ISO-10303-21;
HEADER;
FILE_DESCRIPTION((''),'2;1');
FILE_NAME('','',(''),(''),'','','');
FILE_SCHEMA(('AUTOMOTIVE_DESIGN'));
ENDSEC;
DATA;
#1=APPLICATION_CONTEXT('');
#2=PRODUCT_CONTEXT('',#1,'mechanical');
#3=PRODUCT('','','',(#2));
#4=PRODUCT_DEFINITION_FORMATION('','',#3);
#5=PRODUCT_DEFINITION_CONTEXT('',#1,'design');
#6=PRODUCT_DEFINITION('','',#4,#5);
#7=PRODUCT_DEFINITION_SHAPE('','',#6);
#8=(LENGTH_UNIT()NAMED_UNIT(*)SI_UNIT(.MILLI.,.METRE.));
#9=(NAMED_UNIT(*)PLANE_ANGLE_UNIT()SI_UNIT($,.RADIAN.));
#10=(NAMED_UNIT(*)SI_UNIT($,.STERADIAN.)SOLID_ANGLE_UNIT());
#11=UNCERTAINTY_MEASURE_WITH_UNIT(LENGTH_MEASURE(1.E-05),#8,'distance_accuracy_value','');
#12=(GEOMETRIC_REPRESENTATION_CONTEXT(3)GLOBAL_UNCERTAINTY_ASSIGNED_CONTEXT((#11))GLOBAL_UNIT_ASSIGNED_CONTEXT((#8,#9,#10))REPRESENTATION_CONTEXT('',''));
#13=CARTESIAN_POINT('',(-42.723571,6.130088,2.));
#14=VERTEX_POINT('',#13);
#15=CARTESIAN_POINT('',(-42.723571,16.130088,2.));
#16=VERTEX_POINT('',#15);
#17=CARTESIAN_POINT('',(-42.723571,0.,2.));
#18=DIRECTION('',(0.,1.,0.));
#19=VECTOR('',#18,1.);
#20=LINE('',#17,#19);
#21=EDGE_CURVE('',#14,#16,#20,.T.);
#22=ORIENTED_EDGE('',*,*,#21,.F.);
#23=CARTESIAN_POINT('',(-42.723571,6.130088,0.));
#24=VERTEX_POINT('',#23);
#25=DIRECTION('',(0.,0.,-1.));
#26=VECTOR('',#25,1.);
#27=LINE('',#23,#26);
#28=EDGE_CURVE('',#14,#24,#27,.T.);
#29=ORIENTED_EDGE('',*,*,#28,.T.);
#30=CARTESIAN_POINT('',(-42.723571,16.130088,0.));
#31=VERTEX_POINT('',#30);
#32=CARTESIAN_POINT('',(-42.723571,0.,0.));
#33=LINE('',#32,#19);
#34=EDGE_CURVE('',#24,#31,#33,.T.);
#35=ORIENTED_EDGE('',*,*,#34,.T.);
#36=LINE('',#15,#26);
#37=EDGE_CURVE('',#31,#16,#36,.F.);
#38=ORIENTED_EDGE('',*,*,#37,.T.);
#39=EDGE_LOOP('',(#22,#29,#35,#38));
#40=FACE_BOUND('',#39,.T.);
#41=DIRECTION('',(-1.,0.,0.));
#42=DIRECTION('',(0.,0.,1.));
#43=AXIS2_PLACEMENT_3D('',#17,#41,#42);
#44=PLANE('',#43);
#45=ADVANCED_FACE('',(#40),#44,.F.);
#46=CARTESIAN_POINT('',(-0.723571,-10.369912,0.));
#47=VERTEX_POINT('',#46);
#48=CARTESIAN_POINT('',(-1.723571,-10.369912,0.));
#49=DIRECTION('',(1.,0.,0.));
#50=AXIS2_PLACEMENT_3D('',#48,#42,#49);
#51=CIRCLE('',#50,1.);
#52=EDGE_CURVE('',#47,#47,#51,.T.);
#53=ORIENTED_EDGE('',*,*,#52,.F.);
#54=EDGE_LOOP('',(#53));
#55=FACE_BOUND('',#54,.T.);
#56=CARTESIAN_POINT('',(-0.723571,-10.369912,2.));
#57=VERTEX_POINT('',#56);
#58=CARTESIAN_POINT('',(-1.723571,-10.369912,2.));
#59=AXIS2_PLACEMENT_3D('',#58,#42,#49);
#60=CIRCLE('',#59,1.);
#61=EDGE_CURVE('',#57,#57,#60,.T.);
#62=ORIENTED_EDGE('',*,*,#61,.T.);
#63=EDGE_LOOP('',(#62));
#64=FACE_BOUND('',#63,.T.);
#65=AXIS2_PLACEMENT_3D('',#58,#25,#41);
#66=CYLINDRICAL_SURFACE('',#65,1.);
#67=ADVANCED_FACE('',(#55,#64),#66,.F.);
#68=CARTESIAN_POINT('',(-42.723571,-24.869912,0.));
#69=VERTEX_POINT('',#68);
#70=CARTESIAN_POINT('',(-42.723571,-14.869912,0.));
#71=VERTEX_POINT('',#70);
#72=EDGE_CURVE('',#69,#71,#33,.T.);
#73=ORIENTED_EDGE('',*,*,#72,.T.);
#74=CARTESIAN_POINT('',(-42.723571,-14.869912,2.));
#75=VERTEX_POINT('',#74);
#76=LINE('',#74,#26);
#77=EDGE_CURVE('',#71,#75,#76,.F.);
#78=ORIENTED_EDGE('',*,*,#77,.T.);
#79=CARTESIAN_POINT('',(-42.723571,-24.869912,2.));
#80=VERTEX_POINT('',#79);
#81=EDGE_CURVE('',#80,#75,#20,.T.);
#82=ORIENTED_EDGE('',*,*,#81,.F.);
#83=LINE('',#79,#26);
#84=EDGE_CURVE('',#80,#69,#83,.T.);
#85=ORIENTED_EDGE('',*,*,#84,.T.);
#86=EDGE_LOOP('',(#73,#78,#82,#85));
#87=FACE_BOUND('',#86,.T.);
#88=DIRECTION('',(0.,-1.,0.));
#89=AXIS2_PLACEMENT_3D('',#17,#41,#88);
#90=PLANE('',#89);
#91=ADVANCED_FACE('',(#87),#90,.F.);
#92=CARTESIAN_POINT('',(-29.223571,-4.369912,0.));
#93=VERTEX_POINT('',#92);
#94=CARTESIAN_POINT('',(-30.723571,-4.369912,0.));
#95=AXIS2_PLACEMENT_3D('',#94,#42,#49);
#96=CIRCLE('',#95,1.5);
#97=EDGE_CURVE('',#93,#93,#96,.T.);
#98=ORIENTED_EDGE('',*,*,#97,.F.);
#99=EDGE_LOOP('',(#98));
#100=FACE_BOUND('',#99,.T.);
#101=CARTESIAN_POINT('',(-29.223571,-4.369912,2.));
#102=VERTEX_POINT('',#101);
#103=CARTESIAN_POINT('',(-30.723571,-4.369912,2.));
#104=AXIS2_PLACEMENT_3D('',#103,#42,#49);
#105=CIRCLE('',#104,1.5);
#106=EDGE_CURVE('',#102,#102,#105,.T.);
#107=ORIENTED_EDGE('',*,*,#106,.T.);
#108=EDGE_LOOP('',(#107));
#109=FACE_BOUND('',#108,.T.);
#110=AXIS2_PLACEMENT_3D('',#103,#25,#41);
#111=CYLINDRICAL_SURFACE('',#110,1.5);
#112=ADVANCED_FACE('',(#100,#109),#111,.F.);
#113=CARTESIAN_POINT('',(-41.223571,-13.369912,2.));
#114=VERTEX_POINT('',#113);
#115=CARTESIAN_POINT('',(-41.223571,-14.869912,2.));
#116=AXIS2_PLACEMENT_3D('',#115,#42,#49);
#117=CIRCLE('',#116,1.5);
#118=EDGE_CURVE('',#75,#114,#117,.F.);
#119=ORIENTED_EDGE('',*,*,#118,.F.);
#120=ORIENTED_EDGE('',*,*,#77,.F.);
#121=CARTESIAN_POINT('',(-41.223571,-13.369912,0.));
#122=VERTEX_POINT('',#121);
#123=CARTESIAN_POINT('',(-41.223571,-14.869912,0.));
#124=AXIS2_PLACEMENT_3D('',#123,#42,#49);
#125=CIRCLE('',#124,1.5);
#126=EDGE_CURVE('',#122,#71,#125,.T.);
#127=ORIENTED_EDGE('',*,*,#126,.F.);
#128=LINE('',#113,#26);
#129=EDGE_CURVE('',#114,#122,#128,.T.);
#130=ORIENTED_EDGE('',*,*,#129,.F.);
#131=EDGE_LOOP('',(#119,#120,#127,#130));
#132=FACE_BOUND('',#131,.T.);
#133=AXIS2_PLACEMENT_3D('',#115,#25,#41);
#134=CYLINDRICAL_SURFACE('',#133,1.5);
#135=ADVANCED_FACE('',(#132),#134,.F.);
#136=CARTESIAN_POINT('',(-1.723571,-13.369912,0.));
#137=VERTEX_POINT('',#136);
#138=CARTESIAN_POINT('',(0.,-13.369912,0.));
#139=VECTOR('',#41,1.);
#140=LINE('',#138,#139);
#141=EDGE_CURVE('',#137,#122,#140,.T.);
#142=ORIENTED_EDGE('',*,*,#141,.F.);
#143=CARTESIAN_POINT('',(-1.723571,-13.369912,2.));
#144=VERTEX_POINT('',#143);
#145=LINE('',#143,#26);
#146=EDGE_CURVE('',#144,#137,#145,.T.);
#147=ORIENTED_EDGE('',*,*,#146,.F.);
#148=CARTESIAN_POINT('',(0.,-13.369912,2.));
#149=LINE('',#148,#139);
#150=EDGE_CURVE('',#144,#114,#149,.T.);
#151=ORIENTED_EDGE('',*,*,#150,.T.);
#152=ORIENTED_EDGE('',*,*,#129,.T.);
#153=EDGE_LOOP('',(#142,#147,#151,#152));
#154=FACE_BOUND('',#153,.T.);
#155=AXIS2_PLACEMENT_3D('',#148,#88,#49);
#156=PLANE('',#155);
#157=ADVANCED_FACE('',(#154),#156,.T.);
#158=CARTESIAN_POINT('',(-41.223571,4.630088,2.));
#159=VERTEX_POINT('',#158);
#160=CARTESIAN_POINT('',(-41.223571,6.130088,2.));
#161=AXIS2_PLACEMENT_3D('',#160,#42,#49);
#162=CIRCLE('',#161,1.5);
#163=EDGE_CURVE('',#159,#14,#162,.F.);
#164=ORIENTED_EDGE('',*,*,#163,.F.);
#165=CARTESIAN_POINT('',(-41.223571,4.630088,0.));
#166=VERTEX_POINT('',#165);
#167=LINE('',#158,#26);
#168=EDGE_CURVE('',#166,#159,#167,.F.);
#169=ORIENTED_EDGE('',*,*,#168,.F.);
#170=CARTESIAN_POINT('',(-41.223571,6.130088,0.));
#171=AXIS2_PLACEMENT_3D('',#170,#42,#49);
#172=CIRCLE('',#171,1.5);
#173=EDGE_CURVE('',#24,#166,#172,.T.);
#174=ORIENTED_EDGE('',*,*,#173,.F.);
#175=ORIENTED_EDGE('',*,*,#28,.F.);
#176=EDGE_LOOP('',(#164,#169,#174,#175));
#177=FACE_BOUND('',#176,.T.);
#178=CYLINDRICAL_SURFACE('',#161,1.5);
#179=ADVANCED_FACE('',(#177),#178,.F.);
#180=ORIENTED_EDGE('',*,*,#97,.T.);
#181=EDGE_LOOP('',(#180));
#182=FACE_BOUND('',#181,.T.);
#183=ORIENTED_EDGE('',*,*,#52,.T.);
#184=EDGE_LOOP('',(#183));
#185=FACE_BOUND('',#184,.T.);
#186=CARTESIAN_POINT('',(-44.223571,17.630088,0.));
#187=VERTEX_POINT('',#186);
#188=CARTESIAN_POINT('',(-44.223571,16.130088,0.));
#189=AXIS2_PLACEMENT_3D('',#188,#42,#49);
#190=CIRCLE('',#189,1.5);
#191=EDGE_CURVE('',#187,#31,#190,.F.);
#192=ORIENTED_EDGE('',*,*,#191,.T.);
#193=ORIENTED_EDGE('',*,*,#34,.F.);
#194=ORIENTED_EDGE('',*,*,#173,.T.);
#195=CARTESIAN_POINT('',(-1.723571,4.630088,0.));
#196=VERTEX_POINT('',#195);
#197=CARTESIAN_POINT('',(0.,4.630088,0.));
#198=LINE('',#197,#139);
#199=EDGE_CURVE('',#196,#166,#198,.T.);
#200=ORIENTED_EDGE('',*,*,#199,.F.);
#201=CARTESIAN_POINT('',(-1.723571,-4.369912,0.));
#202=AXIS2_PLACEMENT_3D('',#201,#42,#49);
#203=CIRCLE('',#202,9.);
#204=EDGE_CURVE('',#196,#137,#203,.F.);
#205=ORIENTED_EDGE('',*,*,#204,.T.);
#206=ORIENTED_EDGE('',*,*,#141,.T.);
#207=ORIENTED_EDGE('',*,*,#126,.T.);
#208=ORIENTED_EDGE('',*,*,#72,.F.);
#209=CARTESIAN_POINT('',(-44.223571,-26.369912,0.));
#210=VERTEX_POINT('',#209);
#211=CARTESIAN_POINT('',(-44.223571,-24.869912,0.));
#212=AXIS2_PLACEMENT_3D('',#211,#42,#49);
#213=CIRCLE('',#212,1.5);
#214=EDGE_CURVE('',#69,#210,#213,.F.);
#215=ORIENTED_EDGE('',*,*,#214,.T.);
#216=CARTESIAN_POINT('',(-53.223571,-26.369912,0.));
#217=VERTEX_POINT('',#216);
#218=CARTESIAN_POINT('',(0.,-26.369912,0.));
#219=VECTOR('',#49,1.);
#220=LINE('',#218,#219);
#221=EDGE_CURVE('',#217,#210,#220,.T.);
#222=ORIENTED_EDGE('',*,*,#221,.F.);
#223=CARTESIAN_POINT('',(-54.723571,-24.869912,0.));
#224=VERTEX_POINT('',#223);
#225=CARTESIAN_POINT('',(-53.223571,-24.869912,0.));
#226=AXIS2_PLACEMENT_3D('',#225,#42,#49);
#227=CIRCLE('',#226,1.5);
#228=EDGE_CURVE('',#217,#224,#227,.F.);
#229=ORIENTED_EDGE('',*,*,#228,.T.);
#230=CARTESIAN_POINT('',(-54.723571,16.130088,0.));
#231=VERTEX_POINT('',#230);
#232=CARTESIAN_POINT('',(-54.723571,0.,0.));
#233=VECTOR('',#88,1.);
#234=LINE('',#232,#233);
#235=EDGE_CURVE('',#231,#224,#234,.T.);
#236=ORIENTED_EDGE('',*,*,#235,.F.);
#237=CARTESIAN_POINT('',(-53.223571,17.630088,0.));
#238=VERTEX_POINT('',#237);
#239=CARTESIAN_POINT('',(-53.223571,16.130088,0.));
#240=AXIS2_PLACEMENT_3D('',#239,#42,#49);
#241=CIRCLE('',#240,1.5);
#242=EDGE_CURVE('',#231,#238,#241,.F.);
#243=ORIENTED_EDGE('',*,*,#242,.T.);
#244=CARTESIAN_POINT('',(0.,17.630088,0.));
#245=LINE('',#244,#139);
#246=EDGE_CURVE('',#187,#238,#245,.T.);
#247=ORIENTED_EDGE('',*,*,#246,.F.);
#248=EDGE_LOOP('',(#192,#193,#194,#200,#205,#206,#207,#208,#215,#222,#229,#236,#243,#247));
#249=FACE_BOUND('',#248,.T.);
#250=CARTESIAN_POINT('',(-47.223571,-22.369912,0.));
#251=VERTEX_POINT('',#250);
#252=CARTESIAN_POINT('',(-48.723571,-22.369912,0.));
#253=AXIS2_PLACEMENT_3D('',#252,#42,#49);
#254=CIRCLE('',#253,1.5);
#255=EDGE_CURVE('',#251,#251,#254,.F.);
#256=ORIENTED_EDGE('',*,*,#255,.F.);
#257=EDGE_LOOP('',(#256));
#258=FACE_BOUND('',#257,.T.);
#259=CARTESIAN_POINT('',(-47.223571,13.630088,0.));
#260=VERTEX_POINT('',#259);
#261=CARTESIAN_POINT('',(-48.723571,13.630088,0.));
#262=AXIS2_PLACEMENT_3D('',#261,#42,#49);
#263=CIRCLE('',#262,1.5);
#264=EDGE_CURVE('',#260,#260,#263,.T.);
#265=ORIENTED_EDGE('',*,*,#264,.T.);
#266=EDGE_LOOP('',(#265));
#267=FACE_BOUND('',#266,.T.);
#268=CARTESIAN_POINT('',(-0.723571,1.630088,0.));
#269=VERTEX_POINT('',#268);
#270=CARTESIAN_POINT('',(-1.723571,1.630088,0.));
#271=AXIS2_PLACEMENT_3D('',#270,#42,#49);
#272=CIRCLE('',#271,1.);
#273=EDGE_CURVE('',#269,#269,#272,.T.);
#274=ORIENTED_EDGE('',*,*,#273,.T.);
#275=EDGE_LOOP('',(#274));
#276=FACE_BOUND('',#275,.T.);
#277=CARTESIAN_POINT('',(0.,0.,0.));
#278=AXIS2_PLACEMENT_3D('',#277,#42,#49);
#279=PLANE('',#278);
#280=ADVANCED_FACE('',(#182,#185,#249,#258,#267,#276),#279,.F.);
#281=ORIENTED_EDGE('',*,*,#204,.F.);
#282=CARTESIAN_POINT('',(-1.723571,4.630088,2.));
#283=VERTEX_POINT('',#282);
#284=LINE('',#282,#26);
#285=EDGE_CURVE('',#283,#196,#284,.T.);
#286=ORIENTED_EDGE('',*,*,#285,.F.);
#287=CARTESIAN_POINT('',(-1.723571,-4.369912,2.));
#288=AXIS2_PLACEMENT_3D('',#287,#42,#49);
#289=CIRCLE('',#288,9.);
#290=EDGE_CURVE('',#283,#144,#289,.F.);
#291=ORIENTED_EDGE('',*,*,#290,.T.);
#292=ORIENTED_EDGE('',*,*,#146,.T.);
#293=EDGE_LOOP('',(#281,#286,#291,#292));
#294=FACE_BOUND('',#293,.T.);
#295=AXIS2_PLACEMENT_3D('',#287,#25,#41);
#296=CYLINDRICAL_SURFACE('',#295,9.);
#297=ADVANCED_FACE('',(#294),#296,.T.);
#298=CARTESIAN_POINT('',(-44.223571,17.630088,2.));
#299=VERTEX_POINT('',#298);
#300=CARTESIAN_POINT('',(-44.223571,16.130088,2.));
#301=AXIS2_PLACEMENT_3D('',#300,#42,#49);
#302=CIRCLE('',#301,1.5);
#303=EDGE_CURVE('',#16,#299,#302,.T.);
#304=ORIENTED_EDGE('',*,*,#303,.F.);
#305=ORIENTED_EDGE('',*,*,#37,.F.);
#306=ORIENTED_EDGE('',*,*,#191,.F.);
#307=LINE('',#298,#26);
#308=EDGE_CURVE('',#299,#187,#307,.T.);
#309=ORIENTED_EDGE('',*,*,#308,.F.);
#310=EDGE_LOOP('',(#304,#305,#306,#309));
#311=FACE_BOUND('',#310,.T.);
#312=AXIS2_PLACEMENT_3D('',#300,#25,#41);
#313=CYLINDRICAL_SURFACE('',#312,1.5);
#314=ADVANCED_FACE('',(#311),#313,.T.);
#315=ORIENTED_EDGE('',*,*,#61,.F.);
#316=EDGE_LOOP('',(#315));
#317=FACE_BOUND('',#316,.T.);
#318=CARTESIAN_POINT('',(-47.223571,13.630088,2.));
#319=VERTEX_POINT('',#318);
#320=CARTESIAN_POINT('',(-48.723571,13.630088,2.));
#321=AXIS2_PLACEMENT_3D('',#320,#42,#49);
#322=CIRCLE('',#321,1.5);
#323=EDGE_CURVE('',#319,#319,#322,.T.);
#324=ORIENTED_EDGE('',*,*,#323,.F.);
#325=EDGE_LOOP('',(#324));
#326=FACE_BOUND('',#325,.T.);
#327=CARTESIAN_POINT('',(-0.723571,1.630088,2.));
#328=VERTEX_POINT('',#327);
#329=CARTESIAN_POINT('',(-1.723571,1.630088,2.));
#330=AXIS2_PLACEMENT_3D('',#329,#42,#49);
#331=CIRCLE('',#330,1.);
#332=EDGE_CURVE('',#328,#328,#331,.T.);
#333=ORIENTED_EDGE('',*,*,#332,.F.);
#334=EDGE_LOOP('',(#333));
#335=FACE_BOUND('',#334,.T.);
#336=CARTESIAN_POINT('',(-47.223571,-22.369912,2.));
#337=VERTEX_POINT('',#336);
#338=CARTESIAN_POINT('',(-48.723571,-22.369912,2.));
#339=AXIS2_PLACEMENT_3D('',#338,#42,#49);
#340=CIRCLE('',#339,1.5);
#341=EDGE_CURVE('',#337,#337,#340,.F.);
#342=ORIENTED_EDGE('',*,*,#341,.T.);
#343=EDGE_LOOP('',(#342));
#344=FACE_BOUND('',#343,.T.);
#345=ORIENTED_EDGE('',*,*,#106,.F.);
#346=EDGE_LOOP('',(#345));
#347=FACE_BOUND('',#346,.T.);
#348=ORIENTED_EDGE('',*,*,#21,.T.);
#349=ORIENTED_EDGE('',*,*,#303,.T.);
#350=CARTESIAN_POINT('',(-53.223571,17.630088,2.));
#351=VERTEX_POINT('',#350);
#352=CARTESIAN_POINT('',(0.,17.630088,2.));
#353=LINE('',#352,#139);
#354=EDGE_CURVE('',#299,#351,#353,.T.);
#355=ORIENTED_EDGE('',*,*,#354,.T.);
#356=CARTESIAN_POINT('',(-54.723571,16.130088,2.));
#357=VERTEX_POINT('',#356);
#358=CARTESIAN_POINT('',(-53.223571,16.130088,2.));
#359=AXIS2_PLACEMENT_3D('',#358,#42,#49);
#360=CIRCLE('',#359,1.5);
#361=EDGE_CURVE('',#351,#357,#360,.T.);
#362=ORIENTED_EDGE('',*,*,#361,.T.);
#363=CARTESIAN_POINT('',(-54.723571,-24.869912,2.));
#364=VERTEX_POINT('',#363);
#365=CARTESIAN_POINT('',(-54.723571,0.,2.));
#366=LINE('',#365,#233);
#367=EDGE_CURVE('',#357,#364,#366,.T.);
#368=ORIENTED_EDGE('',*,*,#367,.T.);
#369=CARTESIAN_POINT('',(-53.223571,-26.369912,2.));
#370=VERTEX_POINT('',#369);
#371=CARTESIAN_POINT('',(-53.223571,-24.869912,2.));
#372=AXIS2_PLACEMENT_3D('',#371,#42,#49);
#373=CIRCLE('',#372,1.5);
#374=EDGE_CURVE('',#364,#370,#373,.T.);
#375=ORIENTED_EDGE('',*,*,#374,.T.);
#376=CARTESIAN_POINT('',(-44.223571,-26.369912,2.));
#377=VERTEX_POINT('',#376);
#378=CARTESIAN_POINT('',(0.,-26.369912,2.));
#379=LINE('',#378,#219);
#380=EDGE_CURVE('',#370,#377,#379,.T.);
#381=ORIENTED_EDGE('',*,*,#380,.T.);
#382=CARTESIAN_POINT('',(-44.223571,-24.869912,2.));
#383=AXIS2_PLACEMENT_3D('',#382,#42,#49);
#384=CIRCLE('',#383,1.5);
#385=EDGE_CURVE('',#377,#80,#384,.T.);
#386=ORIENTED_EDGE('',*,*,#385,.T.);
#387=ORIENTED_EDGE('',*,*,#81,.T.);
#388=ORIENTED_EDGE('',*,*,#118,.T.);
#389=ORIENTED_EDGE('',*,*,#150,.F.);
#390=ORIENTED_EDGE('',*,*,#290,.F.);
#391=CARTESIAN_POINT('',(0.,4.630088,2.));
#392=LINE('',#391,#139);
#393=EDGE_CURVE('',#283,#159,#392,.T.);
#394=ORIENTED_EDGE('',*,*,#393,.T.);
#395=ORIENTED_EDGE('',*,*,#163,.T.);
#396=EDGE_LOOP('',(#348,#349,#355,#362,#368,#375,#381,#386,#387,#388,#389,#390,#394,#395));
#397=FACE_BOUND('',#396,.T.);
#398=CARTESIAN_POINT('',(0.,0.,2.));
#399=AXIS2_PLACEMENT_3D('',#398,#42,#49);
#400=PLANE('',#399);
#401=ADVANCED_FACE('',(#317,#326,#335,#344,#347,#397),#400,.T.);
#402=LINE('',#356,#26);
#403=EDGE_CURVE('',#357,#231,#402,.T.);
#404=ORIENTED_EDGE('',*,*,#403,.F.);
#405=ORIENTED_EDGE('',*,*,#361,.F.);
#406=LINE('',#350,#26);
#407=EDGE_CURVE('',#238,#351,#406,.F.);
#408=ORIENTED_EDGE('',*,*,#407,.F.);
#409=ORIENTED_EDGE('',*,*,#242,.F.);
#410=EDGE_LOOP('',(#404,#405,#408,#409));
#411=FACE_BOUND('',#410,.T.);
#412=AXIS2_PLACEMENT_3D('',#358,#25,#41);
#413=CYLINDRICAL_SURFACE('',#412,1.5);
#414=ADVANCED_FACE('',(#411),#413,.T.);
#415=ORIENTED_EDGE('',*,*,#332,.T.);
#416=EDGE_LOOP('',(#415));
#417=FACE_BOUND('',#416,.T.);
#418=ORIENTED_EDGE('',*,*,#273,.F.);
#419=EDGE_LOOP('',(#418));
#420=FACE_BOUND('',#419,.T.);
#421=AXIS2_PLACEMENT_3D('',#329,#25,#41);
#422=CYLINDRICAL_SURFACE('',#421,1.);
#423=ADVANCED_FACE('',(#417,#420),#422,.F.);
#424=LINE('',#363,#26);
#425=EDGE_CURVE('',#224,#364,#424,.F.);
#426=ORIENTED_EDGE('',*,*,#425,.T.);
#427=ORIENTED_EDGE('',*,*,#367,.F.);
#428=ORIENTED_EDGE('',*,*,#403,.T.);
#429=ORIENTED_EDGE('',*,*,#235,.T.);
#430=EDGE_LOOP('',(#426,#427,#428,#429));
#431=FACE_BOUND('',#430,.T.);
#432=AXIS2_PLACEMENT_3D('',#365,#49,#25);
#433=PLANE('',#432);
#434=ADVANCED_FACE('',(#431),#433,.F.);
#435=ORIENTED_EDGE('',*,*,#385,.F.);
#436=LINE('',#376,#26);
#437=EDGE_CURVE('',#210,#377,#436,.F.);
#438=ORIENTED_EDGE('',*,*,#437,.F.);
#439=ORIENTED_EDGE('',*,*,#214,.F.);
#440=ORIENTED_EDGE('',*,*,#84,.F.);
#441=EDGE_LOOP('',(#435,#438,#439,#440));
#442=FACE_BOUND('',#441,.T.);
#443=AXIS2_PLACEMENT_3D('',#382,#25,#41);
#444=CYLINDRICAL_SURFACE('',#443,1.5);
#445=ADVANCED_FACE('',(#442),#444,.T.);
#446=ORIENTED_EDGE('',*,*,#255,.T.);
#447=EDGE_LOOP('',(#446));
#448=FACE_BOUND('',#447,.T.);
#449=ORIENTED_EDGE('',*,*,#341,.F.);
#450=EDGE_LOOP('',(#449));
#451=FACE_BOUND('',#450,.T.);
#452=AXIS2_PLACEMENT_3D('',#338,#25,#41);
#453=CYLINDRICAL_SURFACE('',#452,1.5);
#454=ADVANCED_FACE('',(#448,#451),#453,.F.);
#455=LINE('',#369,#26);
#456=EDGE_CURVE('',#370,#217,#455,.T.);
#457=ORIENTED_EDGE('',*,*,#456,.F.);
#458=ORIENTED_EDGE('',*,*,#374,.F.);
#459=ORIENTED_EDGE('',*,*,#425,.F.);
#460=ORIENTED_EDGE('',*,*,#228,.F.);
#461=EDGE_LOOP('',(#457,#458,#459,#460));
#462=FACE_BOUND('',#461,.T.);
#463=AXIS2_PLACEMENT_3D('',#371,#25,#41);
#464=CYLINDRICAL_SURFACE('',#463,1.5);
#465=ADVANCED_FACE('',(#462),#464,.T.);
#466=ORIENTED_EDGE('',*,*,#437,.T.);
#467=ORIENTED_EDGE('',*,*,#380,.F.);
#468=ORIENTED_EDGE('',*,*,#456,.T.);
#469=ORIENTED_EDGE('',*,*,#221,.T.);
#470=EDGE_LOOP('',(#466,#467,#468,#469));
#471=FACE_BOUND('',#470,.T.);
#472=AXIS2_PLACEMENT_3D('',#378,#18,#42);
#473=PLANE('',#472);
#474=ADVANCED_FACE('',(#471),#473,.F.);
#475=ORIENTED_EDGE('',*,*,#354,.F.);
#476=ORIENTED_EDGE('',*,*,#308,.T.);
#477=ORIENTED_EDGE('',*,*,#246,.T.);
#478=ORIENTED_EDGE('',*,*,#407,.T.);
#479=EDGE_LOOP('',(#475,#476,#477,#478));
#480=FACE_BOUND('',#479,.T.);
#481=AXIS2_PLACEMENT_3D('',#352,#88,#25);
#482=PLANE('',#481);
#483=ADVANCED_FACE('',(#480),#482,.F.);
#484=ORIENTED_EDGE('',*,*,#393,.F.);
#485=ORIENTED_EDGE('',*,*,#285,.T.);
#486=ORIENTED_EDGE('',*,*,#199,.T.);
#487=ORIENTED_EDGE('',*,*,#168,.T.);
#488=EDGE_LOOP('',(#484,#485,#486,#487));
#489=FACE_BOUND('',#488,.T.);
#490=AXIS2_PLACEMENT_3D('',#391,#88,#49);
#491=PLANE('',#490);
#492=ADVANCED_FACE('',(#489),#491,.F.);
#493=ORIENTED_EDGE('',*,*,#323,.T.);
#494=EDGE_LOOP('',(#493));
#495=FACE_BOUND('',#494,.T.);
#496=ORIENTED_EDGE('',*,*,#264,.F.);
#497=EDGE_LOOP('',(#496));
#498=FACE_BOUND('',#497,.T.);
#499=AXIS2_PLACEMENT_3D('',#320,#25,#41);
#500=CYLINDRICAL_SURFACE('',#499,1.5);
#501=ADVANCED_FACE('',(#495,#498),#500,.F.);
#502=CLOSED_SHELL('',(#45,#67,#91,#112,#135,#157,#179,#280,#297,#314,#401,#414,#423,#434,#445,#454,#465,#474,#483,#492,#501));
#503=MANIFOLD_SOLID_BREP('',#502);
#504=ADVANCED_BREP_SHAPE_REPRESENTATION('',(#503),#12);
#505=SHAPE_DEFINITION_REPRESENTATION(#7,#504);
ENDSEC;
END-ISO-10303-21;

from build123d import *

# Parameters (mm, degrees)
SKETCH_1_R      = 1.5
SKETCH_1_R_2    = 1
EXTRUDE_1_DEPTH = 2
FILLET_1_R      = 1.5


with BuildPart() as part:
    # 草图1 → 凸台-拉伸1 (new body)
    with BuildSketch(Plane.XY):
        with BuildLine():
            Line((-1.723571429, -13.369911995), (-42.723571429, -13.369911995))
            Line((-42.723571429, -13.369911995), (-42.723571429, -26.369911995))
            Line((-42.723571429, -26.369911995), (-54.723571429, -26.369911995))
            Line((-54.723571429, -26.369911995), (-54.723571429, 17.630088005))
            Line((-54.723571429, 17.630088005), (-42.723571429, 17.630088005))
            Line((-42.723571429, 17.630088005), (-42.723571429, 4.630088005))
            Line((-42.723571429, 4.630088005), (-1.723571429, 4.630088005))
            ThreePointArc((-1.723571429, 4.630088005), (7.276428571, -4.369911995), (-1.723571429, -13.369911995))
        make_face()
        with Locations((-30.723571429, -4.369911995)):
            Circle(SKETCH_1_R, mode=Mode.SUBTRACT)
        with Locations((-48.723571429, 13.630088005)):
            Circle(SKETCH_1_R, mode=Mode.SUBTRACT)
        with Locations((-48.723571429, -22.369911995)):
            Circle(SKETCH_1_R, mode=Mode.SUBTRACT)
        with Locations((-1.723571429, 1.630088005)):
            Circle(SKETCH_1_R_2, mode=Mode.SUBTRACT)
        with Locations((-1.723571429, -10.369911995)):
            Circle(SKETCH_1_R_2, mode=Mode.SUBTRACT)
    extrude(amount=EXTRUDE_1_DEPTH)

    # 圆角1
    fillet_1_edges = [part.edges().sort_by_distance(p)[0] for p in [
        (-42.723571429, -13.369911995, 1),
        (-42.723571429, -26.369911995, 1),
        (-54.723571429, -26.369911995, 1),
        (-54.723571429, 17.630088005, 1),
        (-42.723571429, 17.630088005, 1),
        (-42.723571429, 4.630088005, 1),
    ]]
    fillet(fillet_1_edges, radius=FILLET_1_R)


solid = part.part
